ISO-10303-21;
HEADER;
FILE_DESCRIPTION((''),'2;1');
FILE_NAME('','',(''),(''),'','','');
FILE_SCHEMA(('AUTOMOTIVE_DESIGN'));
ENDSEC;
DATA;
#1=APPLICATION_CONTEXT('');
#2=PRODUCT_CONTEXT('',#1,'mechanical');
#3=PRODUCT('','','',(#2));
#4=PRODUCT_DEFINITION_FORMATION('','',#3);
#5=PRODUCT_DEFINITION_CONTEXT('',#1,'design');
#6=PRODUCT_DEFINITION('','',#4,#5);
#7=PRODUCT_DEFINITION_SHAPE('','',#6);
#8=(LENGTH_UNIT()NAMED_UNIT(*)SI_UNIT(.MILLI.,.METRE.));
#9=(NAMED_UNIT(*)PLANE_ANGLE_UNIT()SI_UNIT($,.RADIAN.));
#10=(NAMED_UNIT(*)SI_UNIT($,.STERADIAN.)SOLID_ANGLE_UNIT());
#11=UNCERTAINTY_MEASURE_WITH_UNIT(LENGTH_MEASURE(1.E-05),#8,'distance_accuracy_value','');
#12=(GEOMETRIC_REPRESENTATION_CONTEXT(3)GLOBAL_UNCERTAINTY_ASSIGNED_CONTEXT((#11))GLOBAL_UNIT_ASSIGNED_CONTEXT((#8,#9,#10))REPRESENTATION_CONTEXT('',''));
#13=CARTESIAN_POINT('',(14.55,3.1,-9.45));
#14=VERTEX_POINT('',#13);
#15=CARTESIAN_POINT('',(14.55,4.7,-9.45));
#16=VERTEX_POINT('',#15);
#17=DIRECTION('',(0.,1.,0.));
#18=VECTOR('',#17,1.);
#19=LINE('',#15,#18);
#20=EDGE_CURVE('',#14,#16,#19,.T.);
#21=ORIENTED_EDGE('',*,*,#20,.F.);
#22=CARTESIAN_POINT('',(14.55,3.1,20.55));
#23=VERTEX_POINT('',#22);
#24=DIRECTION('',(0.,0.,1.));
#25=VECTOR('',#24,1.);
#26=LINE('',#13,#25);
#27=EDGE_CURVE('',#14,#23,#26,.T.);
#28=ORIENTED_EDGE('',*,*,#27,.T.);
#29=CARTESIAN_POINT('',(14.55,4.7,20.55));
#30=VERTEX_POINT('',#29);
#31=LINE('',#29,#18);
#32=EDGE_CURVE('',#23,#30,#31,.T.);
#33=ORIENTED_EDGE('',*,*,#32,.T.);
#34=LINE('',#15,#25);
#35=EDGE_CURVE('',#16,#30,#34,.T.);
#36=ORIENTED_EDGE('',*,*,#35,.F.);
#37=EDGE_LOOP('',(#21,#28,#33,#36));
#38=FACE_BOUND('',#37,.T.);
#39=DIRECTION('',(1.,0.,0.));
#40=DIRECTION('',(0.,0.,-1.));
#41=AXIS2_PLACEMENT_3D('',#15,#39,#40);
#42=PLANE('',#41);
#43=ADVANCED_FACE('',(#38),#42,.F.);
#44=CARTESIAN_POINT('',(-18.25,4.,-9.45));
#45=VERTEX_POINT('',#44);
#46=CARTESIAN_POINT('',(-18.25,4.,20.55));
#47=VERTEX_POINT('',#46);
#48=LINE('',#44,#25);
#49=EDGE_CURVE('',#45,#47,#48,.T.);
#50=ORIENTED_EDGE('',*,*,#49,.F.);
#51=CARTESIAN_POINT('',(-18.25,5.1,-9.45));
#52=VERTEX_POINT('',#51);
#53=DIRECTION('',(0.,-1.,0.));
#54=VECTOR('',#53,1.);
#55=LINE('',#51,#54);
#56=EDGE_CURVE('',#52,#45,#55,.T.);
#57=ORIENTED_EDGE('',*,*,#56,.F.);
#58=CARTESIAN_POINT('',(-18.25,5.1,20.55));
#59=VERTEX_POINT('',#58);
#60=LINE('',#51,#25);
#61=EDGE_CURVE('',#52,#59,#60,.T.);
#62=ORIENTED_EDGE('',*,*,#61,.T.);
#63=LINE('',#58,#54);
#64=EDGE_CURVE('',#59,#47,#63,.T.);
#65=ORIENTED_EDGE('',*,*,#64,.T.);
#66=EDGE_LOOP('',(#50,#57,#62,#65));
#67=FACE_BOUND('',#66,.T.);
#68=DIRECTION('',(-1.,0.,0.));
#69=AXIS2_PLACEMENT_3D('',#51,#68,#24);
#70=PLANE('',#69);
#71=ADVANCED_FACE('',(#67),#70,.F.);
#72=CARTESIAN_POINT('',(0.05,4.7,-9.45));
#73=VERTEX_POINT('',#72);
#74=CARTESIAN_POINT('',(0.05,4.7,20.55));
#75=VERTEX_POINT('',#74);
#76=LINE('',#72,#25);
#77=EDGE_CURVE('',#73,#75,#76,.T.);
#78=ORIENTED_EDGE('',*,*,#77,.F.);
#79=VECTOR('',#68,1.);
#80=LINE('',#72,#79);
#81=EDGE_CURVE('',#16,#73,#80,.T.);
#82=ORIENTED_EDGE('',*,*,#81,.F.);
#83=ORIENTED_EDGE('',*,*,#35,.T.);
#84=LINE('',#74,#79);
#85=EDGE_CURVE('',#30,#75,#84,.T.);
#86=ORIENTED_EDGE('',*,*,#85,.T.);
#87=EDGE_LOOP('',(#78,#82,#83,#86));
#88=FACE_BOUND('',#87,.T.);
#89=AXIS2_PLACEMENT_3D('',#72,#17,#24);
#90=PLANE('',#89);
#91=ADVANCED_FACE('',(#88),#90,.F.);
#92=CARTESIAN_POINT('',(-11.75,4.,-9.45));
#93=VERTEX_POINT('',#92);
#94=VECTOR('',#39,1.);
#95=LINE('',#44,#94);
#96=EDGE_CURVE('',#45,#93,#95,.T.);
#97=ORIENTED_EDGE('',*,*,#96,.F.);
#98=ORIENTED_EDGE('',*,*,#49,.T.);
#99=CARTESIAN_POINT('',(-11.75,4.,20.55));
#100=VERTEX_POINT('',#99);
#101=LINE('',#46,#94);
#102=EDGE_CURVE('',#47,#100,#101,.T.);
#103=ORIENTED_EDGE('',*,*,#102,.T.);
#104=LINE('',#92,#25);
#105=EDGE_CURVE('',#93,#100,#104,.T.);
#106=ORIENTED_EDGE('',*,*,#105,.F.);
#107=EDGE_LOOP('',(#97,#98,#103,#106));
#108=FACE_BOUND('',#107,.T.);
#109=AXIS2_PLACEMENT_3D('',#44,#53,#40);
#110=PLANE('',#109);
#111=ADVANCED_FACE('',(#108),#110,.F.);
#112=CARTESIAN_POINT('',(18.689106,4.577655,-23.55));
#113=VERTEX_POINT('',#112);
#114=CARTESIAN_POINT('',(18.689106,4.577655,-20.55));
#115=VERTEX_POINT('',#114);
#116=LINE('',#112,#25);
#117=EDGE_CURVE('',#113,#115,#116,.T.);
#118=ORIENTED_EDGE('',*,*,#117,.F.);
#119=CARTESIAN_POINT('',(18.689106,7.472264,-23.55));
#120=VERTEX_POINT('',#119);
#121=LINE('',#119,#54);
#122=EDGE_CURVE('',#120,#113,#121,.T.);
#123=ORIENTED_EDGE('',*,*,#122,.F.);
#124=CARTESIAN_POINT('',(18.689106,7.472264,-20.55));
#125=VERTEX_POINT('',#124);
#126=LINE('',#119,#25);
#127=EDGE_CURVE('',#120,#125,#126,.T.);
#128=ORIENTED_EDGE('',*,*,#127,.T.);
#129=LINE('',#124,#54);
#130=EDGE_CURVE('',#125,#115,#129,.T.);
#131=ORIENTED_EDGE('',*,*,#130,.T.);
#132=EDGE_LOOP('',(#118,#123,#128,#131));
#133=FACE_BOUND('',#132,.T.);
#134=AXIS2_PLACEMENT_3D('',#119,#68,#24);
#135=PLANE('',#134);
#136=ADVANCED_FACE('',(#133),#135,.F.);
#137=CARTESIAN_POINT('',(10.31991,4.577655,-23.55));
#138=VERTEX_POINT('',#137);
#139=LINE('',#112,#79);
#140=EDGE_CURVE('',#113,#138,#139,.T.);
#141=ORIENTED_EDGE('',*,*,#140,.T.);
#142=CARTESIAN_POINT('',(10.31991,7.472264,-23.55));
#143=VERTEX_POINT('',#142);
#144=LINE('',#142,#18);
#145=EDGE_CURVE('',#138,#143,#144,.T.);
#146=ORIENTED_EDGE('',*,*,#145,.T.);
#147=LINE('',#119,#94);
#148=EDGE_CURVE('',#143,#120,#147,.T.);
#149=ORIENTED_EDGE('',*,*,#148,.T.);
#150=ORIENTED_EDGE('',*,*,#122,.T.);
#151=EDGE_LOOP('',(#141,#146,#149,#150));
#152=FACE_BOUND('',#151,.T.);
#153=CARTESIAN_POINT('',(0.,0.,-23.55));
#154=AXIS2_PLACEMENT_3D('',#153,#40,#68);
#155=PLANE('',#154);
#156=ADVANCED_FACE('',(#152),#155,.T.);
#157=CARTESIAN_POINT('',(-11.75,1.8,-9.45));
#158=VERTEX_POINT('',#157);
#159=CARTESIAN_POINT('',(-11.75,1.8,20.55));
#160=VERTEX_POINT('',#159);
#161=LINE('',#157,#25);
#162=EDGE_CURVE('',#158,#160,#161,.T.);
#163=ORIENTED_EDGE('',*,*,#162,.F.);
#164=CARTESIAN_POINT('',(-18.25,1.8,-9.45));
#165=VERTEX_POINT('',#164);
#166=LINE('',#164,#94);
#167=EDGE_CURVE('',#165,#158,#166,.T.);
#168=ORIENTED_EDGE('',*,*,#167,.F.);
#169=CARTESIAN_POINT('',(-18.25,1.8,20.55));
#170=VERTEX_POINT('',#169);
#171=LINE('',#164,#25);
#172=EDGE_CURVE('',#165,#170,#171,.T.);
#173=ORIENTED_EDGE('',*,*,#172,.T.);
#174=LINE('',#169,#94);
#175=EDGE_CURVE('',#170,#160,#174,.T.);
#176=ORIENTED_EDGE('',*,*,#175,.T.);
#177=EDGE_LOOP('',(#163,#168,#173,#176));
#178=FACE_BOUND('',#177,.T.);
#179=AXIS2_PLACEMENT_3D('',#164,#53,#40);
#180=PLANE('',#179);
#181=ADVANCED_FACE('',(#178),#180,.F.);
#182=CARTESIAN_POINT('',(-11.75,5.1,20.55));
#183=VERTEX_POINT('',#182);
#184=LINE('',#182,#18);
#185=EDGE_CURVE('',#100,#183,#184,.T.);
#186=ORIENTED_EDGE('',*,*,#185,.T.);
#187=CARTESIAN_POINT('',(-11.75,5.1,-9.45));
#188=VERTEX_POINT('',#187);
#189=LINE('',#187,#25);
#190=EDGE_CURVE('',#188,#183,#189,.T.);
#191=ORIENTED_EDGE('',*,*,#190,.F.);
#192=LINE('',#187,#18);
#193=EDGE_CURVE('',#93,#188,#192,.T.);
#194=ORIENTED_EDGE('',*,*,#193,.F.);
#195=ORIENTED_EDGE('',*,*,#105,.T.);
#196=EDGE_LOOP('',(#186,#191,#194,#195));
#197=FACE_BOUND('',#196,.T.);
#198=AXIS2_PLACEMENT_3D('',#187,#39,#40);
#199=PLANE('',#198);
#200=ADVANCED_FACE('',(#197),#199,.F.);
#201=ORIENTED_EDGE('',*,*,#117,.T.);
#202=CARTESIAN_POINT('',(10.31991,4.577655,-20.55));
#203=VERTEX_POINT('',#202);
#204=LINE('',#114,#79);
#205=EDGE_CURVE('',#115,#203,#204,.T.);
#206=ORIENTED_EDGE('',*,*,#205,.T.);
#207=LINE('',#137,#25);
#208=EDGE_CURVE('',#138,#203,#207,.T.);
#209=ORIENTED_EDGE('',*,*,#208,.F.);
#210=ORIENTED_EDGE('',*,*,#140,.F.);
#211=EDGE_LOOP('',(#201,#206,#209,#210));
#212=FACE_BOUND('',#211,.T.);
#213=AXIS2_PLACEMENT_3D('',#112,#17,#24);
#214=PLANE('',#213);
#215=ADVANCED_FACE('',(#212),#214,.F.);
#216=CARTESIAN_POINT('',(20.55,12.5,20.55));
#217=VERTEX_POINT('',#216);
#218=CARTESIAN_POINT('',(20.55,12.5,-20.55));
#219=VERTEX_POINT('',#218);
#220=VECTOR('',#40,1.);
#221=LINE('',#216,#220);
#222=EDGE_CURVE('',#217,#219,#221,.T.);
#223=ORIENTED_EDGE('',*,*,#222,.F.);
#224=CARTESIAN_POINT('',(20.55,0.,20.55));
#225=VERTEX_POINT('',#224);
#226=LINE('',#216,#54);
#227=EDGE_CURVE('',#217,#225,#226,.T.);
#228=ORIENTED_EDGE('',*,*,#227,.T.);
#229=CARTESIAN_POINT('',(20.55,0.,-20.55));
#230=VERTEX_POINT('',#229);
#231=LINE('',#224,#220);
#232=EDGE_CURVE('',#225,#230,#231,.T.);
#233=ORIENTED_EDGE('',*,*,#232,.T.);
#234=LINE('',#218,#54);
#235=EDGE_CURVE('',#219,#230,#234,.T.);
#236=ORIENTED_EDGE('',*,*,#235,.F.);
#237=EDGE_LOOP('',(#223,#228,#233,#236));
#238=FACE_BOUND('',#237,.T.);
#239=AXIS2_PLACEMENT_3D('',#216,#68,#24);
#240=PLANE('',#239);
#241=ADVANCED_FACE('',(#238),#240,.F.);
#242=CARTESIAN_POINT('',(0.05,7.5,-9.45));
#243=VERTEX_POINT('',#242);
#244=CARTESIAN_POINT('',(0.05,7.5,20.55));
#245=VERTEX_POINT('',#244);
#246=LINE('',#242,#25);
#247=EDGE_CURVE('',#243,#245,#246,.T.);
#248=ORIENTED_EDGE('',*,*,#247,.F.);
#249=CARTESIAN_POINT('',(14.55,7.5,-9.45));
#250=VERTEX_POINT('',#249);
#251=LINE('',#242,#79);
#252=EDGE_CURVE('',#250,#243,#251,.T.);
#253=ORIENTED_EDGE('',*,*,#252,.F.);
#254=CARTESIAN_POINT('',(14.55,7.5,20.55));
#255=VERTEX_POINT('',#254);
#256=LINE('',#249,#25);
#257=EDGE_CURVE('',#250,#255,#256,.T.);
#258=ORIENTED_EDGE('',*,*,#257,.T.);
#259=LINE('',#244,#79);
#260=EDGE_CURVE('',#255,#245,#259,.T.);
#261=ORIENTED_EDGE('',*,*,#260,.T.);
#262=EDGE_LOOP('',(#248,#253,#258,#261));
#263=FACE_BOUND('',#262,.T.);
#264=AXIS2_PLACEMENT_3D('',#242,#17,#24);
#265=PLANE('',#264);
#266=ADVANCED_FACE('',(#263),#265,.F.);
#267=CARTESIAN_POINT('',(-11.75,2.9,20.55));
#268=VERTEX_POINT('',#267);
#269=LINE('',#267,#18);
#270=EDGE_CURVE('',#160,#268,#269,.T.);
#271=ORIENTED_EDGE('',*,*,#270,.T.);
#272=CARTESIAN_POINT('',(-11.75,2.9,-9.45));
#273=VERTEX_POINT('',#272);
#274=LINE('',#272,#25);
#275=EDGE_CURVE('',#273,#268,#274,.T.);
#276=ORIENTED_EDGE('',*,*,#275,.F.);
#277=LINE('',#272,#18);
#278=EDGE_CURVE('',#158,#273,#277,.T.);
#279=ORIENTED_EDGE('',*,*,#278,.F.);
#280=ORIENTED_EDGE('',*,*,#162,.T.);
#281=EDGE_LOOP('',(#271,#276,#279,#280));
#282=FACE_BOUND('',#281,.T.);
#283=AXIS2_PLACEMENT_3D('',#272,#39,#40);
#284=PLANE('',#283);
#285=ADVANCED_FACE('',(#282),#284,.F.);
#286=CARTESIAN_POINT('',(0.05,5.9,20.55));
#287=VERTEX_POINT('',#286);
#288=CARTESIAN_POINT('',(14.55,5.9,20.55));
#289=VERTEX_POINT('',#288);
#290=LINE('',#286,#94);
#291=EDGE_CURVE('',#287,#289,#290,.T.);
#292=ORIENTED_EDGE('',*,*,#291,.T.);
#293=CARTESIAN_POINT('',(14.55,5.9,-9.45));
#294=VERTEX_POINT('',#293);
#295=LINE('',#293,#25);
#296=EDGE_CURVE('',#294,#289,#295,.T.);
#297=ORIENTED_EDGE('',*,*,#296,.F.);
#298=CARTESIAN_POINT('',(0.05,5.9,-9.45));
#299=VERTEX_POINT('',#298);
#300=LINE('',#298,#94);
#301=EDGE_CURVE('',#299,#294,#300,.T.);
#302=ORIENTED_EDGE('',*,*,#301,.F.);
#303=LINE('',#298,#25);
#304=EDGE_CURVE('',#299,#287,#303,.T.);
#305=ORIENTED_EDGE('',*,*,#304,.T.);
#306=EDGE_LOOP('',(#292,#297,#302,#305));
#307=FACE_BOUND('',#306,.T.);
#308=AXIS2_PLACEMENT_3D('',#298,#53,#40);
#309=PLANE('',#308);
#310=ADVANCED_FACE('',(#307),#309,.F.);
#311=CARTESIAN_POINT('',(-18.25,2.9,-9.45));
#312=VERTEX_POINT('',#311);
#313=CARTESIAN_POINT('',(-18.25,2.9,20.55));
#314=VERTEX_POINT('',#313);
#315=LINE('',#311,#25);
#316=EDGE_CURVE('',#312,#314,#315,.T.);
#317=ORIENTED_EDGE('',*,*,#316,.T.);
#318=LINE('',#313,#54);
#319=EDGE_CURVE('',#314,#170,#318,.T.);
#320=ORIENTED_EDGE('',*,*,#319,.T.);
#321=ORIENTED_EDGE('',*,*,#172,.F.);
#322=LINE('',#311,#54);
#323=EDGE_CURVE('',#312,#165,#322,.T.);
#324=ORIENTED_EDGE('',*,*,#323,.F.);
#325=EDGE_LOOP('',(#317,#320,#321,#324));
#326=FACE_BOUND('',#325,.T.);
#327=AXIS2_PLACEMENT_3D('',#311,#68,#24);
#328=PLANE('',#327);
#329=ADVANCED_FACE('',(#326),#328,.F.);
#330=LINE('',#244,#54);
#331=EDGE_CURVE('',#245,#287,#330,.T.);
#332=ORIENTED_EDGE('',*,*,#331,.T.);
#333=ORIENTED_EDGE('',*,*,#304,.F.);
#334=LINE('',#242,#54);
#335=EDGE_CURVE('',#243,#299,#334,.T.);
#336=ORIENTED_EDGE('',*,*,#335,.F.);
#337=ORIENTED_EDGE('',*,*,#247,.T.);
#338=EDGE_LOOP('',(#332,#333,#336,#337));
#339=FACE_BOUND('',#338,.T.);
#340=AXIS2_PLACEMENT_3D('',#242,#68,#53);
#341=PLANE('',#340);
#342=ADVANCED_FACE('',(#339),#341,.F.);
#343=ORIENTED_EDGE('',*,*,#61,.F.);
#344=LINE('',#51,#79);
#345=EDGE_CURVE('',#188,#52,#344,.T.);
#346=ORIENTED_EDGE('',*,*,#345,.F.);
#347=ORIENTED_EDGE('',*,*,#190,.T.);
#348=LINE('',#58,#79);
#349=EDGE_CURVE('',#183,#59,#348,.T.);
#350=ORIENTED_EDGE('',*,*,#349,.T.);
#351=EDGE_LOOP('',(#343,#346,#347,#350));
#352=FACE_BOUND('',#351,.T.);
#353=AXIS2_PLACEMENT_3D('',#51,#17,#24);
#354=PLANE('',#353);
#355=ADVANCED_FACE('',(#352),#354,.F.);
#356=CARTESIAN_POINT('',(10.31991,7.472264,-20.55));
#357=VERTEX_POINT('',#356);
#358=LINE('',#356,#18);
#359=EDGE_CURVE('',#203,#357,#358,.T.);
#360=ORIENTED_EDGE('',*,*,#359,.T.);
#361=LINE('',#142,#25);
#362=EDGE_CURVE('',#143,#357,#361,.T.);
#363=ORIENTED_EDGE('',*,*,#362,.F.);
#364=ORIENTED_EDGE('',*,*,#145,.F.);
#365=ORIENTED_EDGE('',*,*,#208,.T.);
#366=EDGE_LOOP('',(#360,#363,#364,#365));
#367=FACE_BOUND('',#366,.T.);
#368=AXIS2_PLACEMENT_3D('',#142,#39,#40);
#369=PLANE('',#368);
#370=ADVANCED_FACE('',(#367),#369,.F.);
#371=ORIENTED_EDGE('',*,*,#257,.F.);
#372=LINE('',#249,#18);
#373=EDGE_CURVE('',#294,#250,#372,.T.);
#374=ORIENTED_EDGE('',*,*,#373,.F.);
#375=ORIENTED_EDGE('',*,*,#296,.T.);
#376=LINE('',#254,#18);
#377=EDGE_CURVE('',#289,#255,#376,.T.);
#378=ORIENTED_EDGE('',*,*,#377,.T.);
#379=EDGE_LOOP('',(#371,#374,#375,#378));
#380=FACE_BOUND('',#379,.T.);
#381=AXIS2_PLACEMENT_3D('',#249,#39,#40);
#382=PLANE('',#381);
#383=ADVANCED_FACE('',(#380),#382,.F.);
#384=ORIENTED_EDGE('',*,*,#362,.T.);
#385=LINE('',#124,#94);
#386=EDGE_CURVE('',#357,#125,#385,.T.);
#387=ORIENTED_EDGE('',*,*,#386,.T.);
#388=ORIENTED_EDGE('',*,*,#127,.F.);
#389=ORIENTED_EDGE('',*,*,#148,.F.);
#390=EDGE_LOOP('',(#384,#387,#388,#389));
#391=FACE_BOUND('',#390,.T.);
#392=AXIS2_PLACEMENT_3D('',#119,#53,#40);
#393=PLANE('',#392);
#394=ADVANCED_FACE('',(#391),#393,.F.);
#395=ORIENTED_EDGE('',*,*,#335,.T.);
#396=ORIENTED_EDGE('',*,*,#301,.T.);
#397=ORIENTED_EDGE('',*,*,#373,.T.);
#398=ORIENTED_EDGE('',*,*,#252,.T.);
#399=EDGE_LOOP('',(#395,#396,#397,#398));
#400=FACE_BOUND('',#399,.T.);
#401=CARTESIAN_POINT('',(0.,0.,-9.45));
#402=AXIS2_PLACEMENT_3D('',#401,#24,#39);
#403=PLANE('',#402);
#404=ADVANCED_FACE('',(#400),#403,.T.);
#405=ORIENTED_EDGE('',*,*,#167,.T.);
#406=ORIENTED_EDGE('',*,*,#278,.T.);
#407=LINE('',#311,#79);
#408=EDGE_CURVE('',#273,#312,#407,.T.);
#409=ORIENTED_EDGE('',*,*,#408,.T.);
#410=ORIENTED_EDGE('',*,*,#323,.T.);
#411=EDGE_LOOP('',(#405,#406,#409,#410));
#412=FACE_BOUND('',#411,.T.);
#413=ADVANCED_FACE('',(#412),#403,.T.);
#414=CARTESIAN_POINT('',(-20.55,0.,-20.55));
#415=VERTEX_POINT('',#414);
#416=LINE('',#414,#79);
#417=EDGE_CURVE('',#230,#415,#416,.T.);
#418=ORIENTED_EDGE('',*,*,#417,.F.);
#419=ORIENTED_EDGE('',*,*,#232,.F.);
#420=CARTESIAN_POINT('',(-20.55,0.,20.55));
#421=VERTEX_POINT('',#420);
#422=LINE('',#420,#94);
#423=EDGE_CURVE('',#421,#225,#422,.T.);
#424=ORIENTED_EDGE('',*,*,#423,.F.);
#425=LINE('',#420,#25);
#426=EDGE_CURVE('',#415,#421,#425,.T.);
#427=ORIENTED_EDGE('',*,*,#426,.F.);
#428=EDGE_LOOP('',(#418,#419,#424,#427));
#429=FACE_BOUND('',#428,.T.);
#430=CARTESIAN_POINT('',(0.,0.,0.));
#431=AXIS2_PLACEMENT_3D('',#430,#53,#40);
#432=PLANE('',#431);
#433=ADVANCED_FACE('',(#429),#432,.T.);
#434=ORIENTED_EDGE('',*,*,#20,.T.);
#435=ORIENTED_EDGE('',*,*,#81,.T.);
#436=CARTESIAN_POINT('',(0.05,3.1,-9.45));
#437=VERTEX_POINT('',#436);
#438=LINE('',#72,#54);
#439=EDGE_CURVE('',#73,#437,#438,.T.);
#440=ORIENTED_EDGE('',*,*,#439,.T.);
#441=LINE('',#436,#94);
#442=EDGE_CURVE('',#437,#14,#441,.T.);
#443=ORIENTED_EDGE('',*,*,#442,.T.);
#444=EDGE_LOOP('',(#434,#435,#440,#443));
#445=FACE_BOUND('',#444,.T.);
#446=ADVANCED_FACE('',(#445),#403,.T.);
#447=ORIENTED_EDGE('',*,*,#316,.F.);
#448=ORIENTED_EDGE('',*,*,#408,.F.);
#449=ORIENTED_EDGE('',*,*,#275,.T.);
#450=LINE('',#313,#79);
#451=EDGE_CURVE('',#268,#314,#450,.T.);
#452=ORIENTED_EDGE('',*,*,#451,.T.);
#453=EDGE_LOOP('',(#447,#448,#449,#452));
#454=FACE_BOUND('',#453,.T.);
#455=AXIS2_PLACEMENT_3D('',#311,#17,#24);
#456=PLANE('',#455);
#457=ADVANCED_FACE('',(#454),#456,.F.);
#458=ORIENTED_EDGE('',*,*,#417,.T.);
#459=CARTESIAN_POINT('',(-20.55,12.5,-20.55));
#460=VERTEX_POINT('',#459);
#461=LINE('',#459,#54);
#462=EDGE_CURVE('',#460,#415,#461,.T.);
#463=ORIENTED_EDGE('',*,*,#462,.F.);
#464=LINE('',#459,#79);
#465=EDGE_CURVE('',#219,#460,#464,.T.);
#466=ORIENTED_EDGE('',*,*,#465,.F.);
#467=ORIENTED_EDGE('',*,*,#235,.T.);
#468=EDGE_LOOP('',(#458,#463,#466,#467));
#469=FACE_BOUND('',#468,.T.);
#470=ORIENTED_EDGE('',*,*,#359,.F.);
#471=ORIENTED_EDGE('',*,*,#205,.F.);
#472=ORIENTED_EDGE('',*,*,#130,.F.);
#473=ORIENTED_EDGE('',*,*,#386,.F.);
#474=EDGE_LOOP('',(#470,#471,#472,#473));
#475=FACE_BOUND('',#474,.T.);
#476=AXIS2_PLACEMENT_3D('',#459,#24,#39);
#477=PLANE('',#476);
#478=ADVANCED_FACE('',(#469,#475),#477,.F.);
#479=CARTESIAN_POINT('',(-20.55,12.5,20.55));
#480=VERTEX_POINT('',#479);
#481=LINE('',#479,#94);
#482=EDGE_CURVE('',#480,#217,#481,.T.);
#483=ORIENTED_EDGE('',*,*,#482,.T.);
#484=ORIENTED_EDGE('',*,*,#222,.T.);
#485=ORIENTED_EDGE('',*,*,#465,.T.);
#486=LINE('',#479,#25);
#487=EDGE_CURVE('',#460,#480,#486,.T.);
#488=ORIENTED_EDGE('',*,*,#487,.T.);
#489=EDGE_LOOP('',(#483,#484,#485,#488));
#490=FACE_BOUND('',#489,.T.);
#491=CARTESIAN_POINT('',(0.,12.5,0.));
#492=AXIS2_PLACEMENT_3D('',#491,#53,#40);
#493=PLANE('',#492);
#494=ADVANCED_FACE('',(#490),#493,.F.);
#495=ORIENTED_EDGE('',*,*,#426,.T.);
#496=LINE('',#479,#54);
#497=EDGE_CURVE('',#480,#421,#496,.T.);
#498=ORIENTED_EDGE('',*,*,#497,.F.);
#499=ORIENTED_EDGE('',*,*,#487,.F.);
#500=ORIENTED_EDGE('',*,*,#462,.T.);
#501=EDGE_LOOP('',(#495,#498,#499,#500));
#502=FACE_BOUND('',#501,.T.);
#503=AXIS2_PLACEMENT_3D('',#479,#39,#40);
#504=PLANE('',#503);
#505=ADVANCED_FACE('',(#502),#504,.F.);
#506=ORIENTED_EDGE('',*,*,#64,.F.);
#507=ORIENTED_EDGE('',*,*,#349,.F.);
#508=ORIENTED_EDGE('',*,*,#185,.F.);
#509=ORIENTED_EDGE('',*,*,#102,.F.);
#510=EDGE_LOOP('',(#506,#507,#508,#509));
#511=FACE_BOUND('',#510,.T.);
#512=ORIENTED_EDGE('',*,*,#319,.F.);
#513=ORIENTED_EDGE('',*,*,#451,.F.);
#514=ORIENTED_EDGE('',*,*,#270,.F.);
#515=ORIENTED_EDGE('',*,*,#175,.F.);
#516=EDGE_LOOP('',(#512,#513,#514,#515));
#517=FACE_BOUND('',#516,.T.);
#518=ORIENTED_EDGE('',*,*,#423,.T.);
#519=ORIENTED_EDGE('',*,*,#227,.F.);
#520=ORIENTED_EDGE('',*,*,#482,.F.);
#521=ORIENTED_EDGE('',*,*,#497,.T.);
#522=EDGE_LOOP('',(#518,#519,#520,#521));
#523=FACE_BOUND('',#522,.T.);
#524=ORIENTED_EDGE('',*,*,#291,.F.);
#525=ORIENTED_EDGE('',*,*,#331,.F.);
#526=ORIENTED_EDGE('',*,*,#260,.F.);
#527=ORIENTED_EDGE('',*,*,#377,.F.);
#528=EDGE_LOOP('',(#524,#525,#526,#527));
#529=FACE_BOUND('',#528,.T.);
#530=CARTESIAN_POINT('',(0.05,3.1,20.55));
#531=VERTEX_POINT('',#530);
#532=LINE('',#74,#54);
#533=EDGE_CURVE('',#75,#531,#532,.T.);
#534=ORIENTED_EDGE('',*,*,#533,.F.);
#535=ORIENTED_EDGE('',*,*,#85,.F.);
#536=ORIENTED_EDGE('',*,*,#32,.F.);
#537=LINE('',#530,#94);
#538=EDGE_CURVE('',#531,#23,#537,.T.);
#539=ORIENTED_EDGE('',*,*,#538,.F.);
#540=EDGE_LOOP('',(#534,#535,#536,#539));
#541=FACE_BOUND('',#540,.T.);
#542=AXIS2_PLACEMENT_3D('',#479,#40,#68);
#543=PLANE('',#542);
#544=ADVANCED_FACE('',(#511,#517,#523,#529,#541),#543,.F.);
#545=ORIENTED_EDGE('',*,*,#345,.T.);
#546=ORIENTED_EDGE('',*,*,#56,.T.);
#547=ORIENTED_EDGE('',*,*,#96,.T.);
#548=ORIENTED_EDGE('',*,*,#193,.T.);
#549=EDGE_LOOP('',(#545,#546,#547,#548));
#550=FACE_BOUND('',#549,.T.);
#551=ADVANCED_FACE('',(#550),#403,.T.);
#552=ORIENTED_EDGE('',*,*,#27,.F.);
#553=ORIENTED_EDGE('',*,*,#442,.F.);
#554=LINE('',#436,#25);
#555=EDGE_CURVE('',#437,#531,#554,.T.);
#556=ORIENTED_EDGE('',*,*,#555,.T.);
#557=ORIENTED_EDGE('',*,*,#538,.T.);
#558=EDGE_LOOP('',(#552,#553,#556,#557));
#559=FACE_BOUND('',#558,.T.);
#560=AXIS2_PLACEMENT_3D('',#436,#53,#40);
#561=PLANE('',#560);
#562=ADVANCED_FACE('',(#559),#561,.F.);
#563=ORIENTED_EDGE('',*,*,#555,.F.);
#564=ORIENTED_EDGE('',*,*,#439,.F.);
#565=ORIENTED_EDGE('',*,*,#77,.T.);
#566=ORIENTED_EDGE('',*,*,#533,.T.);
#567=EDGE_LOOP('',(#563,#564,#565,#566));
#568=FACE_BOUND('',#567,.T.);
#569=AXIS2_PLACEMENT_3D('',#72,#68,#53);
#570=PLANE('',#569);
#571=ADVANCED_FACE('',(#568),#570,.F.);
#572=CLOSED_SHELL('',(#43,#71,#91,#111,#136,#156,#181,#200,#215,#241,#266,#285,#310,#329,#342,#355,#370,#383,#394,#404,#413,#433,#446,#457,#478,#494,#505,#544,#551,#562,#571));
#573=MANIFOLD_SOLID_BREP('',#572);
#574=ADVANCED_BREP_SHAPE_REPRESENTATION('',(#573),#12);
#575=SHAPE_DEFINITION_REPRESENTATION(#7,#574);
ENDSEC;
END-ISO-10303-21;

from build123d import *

# Parameters (mm, degrees)
SKETCH1_W           = 41.1
SKETCH1_H           = 41.1
BOSS_EXTRUDE1_DEPTH = 12.5
SKETCH2_W           = 14.5
SKETCH2_H           = 1.6
SKETCH2_W_2         = 6.5
SKETCH2_H_2         = 1.1
CUT_EXTRUDE1_DEPTH  = 30
SKETCH3_W           = 8.369195437
SKETCH3_H           = 2.894608948
BOSS_EXTRUDE2_DEPTH = 3


with BuildPart() as part:
    # Sketch1 → Boss-Extrude1 (new body)
    with BuildSketch(Plane(origin=(0, 0, 0), x_dir=(1, 0, 0), z_dir=(0, 1, 0))):
        Rectangle(SKETCH1_W, SKETCH1_H)
    extrude(amount=BOSS_EXTRUDE1_DEPTH)

    # Sketch2 → Cut-Extrude1 (cut)
    with BuildSketch(Plane.XY.offset(20.55)):
        with Locations((7.3, 6.7)):
            Rectangle(SKETCH2_W, SKETCH2_H)
        with Locations((7.3, 3.9)):
            Rectangle(SKETCH2_W, SKETCH2_H)
        with Locations((-15, 4.55)):
            Rectangle(SKETCH2_W_2, SKETCH2_H_2)
        with Locations((-15, 2.35)):
            Rectangle(SKETCH2_W_2, SKETCH2_H_2)
    extrude(amount=-CUT_EXTRUDE1_DEPTH, mode=Mode.SUBTRACT)

    # Sketch3 → Boss-Extrude2 (add)
    with BuildSketch(Plane(origin=(0, 0, -20.55), x_dir=(-1, 0, 0), z_dir=(0, 0, -1))):
        with Locations((-14.504507882, 6.024959093)):
            Rectangle(SKETCH3_W, SKETCH3_H)
    extrude(amount=BOSS_EXTRUDE2_DEPTH)


solid = part.part
